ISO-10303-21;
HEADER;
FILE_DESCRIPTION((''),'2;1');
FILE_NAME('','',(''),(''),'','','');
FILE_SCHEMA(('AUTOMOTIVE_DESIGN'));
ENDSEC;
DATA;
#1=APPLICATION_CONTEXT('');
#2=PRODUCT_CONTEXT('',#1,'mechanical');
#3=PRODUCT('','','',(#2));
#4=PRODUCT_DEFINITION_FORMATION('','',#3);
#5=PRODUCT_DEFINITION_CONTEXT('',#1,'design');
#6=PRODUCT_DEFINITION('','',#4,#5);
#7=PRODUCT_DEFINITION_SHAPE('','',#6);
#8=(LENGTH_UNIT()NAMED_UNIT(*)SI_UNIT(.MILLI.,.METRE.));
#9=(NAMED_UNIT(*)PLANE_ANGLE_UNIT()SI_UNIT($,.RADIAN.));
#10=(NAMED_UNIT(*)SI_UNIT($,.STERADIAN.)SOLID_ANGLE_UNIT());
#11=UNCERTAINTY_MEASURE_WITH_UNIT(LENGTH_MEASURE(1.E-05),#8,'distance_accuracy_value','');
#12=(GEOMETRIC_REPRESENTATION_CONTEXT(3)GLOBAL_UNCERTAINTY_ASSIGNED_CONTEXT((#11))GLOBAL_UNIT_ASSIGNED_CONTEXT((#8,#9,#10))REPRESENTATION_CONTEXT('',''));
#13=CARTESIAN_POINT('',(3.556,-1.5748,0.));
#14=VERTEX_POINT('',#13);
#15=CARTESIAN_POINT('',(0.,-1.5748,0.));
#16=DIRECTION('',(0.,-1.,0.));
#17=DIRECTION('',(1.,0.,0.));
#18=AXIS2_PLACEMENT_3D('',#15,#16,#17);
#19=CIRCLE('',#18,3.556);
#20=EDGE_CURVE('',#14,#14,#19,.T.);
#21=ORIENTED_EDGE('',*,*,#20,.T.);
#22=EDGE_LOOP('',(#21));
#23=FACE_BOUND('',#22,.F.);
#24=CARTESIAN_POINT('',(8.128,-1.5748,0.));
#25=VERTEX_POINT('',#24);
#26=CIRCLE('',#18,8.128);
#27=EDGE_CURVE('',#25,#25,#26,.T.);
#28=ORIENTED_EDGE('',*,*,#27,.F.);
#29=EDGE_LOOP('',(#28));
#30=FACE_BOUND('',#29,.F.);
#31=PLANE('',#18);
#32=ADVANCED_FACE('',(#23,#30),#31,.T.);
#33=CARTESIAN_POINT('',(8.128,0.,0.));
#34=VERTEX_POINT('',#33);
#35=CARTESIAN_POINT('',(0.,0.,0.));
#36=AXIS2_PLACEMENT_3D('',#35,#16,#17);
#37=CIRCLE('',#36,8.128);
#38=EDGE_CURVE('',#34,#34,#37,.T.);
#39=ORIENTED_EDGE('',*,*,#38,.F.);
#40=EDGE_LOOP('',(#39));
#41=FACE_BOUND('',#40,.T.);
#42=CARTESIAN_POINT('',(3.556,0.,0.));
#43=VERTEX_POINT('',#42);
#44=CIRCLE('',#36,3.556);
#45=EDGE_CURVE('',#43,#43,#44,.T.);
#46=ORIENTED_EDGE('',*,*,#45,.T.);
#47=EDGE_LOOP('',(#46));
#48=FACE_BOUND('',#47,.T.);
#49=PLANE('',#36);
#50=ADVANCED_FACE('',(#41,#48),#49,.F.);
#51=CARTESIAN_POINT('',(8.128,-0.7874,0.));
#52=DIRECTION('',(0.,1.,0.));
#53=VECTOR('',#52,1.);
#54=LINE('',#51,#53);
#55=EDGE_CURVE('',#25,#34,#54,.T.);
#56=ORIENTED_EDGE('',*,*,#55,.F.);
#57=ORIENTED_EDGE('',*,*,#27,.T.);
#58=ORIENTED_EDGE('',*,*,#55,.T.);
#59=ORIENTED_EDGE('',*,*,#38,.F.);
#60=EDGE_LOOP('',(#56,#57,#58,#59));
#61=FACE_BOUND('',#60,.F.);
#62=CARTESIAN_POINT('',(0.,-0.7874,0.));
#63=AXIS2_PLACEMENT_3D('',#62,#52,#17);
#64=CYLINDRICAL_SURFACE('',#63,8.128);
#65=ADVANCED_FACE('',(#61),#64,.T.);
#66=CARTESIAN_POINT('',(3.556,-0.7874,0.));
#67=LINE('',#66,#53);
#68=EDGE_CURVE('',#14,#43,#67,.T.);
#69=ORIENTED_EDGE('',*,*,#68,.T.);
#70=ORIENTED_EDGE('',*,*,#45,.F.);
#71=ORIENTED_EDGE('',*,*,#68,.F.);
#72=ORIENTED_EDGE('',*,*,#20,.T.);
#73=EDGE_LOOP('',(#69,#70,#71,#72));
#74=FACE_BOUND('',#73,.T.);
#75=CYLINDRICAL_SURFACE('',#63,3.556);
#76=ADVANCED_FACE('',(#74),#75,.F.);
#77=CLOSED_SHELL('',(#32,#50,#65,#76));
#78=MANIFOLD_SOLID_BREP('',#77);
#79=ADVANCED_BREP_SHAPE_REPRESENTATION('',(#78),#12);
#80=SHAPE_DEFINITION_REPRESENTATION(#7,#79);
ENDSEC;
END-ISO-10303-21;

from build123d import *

# Parameters (mm, degrees)
SKETCH1_W = 4.572
SKETCH1_H = 1.5748


with BuildPart() as part:
    # Sketch1 → Revolve1 (revolve)
    with BuildSketch(Plane.XY):
        with Locations((5.842, -0.7874)):
            Rectangle(SKETCH1_W, SKETCH1_H)
    revolve(axis=Axis((0, 0, 0), (0, -1, 0)))


solid = part.part
